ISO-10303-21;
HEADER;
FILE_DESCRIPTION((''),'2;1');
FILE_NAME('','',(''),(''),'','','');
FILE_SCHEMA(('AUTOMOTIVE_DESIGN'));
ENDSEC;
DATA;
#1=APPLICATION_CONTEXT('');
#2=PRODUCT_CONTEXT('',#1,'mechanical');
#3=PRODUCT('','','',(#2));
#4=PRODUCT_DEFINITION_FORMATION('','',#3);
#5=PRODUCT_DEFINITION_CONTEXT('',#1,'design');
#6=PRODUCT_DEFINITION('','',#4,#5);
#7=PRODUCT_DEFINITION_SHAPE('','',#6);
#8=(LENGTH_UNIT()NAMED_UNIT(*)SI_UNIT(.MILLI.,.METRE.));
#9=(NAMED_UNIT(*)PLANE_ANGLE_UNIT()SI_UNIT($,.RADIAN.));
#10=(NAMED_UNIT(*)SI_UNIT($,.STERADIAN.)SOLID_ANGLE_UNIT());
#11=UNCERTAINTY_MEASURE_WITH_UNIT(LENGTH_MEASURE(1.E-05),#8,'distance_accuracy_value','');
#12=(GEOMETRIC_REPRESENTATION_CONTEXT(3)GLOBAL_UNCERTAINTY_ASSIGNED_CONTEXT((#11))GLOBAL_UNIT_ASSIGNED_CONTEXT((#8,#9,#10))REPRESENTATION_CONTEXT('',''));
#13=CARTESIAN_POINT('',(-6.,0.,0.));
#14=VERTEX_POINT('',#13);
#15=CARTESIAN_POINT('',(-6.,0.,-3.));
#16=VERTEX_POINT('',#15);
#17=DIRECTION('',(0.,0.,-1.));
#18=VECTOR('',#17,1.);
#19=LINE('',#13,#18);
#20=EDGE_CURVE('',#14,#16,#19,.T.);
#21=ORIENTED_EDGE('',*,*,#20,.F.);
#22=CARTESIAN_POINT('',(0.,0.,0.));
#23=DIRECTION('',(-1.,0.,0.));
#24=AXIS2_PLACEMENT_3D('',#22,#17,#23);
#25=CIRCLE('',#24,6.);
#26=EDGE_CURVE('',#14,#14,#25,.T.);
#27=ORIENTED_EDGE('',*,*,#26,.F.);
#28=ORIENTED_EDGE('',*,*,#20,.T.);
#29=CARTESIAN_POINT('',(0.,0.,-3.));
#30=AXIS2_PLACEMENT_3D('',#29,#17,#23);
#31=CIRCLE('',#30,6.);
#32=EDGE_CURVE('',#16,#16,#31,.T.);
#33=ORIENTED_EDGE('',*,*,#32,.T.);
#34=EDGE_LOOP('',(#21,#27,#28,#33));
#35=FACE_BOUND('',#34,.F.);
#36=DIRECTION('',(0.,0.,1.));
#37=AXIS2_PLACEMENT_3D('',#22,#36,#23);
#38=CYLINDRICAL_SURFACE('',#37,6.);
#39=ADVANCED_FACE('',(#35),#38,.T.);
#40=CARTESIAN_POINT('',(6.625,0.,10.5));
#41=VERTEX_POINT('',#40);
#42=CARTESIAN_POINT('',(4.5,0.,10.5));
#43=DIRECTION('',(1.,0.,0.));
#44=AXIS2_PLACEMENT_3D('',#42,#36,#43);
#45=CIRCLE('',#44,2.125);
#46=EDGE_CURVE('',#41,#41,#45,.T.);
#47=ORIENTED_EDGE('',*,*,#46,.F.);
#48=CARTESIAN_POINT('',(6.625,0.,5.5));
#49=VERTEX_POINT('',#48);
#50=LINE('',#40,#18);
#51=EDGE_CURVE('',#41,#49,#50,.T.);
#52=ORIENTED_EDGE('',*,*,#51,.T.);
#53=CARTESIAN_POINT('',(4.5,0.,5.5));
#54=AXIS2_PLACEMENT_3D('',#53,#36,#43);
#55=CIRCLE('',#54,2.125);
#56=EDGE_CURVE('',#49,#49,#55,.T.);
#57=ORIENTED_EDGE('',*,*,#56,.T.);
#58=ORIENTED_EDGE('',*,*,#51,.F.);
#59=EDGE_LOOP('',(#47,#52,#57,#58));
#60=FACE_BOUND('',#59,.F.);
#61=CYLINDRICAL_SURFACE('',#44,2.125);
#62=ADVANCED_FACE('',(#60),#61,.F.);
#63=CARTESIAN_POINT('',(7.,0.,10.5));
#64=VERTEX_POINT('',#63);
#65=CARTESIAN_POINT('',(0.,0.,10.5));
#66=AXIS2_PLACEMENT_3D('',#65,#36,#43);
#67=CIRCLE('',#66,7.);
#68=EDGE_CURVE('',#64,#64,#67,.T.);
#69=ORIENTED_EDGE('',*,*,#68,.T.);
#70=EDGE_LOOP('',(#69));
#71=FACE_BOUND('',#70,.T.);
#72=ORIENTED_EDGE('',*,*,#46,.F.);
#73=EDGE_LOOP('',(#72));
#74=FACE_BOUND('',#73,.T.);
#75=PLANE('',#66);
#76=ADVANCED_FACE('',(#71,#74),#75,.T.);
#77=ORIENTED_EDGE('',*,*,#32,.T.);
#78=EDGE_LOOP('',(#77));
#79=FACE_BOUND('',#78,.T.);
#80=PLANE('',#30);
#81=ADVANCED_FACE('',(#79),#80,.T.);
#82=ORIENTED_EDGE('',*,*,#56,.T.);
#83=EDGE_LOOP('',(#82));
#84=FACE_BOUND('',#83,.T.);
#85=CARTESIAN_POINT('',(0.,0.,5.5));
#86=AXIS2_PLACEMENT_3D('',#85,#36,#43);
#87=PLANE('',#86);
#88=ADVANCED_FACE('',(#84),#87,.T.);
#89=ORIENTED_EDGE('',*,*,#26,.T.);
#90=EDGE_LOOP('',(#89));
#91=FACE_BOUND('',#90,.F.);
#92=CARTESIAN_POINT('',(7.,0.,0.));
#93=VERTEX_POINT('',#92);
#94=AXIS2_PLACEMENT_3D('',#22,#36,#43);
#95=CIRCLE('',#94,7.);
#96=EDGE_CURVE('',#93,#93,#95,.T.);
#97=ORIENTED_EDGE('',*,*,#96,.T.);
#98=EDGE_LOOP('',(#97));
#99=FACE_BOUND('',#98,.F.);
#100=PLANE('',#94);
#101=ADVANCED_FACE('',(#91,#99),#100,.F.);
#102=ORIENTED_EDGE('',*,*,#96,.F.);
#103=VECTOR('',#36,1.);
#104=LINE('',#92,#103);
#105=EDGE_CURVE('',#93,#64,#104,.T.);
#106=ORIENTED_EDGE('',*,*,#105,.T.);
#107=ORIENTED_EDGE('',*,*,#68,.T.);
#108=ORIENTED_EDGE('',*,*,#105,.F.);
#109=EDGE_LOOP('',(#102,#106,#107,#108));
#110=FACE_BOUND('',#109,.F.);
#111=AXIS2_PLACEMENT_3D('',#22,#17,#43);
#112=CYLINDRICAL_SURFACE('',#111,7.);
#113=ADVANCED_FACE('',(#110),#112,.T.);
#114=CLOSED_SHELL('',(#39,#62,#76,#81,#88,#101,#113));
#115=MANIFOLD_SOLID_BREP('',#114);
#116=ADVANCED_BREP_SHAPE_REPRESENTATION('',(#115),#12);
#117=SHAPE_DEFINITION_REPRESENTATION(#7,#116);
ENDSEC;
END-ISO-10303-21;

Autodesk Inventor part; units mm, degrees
ref_plane "YZ Plane" through (0, 0, 0) normal (1, 0, 0) x (0, 1, 0)
ref_plane "XZ Plane" through (0, 0, 0) normal (0, 1, 0) x (-1, 0, 0)
ref_plane "XY Plane" through (0, 0, 0) normal (0, 0, 1) x (1, 0, 0)
sketch "Sketch1" plane through (0, 0, 0) normal (0, 0, 1) x (1, 0, 0)
  circle A0 centre (0, 0) radius 7
  arc A1 (-3.096, -4.5458) -> (5.2116, 1.7576) centre (0, 0) ccw projected
  point P0 (0, 0)
  dimension "d0" = 14
extrude "Extrusion1" add sketch "Sketch1" along normal blind 10.5
sketch "Sketch2" plane through (0, 0, 10.5) normal (0, 0, 1) x (1, 0, 0)
  circle A0 centre (0, 0) radius 7 projected
  line L0 (7, 0) -> (4.5, 0)
  circle A1 centre (4.5, 0) radius 2.125
  point P0 (0, 0)
  dimension "d3" = 2.5
  dimension "d4" = 4.25
extrude "Extrusion2" cut sketch "Sketch2" against normal blind 5 contours A1
sketch "Sketch3" plane through (0, 0, 0) normal (0, 0, -1) x (-1, 0, 0)
  circle A0 centre (0, 0) radius 5 projected
  circle A1 centre (0, 0) radius 7 projected
  circle A2 centre (0, 0) radius 6
  point P0 (0, 0)
  dimension "d7" = 12
extrude "Extrusion3" add sketch "Sketch3" along normal blind 3 contours A0 | A2
properties part number "RotationDisk"
